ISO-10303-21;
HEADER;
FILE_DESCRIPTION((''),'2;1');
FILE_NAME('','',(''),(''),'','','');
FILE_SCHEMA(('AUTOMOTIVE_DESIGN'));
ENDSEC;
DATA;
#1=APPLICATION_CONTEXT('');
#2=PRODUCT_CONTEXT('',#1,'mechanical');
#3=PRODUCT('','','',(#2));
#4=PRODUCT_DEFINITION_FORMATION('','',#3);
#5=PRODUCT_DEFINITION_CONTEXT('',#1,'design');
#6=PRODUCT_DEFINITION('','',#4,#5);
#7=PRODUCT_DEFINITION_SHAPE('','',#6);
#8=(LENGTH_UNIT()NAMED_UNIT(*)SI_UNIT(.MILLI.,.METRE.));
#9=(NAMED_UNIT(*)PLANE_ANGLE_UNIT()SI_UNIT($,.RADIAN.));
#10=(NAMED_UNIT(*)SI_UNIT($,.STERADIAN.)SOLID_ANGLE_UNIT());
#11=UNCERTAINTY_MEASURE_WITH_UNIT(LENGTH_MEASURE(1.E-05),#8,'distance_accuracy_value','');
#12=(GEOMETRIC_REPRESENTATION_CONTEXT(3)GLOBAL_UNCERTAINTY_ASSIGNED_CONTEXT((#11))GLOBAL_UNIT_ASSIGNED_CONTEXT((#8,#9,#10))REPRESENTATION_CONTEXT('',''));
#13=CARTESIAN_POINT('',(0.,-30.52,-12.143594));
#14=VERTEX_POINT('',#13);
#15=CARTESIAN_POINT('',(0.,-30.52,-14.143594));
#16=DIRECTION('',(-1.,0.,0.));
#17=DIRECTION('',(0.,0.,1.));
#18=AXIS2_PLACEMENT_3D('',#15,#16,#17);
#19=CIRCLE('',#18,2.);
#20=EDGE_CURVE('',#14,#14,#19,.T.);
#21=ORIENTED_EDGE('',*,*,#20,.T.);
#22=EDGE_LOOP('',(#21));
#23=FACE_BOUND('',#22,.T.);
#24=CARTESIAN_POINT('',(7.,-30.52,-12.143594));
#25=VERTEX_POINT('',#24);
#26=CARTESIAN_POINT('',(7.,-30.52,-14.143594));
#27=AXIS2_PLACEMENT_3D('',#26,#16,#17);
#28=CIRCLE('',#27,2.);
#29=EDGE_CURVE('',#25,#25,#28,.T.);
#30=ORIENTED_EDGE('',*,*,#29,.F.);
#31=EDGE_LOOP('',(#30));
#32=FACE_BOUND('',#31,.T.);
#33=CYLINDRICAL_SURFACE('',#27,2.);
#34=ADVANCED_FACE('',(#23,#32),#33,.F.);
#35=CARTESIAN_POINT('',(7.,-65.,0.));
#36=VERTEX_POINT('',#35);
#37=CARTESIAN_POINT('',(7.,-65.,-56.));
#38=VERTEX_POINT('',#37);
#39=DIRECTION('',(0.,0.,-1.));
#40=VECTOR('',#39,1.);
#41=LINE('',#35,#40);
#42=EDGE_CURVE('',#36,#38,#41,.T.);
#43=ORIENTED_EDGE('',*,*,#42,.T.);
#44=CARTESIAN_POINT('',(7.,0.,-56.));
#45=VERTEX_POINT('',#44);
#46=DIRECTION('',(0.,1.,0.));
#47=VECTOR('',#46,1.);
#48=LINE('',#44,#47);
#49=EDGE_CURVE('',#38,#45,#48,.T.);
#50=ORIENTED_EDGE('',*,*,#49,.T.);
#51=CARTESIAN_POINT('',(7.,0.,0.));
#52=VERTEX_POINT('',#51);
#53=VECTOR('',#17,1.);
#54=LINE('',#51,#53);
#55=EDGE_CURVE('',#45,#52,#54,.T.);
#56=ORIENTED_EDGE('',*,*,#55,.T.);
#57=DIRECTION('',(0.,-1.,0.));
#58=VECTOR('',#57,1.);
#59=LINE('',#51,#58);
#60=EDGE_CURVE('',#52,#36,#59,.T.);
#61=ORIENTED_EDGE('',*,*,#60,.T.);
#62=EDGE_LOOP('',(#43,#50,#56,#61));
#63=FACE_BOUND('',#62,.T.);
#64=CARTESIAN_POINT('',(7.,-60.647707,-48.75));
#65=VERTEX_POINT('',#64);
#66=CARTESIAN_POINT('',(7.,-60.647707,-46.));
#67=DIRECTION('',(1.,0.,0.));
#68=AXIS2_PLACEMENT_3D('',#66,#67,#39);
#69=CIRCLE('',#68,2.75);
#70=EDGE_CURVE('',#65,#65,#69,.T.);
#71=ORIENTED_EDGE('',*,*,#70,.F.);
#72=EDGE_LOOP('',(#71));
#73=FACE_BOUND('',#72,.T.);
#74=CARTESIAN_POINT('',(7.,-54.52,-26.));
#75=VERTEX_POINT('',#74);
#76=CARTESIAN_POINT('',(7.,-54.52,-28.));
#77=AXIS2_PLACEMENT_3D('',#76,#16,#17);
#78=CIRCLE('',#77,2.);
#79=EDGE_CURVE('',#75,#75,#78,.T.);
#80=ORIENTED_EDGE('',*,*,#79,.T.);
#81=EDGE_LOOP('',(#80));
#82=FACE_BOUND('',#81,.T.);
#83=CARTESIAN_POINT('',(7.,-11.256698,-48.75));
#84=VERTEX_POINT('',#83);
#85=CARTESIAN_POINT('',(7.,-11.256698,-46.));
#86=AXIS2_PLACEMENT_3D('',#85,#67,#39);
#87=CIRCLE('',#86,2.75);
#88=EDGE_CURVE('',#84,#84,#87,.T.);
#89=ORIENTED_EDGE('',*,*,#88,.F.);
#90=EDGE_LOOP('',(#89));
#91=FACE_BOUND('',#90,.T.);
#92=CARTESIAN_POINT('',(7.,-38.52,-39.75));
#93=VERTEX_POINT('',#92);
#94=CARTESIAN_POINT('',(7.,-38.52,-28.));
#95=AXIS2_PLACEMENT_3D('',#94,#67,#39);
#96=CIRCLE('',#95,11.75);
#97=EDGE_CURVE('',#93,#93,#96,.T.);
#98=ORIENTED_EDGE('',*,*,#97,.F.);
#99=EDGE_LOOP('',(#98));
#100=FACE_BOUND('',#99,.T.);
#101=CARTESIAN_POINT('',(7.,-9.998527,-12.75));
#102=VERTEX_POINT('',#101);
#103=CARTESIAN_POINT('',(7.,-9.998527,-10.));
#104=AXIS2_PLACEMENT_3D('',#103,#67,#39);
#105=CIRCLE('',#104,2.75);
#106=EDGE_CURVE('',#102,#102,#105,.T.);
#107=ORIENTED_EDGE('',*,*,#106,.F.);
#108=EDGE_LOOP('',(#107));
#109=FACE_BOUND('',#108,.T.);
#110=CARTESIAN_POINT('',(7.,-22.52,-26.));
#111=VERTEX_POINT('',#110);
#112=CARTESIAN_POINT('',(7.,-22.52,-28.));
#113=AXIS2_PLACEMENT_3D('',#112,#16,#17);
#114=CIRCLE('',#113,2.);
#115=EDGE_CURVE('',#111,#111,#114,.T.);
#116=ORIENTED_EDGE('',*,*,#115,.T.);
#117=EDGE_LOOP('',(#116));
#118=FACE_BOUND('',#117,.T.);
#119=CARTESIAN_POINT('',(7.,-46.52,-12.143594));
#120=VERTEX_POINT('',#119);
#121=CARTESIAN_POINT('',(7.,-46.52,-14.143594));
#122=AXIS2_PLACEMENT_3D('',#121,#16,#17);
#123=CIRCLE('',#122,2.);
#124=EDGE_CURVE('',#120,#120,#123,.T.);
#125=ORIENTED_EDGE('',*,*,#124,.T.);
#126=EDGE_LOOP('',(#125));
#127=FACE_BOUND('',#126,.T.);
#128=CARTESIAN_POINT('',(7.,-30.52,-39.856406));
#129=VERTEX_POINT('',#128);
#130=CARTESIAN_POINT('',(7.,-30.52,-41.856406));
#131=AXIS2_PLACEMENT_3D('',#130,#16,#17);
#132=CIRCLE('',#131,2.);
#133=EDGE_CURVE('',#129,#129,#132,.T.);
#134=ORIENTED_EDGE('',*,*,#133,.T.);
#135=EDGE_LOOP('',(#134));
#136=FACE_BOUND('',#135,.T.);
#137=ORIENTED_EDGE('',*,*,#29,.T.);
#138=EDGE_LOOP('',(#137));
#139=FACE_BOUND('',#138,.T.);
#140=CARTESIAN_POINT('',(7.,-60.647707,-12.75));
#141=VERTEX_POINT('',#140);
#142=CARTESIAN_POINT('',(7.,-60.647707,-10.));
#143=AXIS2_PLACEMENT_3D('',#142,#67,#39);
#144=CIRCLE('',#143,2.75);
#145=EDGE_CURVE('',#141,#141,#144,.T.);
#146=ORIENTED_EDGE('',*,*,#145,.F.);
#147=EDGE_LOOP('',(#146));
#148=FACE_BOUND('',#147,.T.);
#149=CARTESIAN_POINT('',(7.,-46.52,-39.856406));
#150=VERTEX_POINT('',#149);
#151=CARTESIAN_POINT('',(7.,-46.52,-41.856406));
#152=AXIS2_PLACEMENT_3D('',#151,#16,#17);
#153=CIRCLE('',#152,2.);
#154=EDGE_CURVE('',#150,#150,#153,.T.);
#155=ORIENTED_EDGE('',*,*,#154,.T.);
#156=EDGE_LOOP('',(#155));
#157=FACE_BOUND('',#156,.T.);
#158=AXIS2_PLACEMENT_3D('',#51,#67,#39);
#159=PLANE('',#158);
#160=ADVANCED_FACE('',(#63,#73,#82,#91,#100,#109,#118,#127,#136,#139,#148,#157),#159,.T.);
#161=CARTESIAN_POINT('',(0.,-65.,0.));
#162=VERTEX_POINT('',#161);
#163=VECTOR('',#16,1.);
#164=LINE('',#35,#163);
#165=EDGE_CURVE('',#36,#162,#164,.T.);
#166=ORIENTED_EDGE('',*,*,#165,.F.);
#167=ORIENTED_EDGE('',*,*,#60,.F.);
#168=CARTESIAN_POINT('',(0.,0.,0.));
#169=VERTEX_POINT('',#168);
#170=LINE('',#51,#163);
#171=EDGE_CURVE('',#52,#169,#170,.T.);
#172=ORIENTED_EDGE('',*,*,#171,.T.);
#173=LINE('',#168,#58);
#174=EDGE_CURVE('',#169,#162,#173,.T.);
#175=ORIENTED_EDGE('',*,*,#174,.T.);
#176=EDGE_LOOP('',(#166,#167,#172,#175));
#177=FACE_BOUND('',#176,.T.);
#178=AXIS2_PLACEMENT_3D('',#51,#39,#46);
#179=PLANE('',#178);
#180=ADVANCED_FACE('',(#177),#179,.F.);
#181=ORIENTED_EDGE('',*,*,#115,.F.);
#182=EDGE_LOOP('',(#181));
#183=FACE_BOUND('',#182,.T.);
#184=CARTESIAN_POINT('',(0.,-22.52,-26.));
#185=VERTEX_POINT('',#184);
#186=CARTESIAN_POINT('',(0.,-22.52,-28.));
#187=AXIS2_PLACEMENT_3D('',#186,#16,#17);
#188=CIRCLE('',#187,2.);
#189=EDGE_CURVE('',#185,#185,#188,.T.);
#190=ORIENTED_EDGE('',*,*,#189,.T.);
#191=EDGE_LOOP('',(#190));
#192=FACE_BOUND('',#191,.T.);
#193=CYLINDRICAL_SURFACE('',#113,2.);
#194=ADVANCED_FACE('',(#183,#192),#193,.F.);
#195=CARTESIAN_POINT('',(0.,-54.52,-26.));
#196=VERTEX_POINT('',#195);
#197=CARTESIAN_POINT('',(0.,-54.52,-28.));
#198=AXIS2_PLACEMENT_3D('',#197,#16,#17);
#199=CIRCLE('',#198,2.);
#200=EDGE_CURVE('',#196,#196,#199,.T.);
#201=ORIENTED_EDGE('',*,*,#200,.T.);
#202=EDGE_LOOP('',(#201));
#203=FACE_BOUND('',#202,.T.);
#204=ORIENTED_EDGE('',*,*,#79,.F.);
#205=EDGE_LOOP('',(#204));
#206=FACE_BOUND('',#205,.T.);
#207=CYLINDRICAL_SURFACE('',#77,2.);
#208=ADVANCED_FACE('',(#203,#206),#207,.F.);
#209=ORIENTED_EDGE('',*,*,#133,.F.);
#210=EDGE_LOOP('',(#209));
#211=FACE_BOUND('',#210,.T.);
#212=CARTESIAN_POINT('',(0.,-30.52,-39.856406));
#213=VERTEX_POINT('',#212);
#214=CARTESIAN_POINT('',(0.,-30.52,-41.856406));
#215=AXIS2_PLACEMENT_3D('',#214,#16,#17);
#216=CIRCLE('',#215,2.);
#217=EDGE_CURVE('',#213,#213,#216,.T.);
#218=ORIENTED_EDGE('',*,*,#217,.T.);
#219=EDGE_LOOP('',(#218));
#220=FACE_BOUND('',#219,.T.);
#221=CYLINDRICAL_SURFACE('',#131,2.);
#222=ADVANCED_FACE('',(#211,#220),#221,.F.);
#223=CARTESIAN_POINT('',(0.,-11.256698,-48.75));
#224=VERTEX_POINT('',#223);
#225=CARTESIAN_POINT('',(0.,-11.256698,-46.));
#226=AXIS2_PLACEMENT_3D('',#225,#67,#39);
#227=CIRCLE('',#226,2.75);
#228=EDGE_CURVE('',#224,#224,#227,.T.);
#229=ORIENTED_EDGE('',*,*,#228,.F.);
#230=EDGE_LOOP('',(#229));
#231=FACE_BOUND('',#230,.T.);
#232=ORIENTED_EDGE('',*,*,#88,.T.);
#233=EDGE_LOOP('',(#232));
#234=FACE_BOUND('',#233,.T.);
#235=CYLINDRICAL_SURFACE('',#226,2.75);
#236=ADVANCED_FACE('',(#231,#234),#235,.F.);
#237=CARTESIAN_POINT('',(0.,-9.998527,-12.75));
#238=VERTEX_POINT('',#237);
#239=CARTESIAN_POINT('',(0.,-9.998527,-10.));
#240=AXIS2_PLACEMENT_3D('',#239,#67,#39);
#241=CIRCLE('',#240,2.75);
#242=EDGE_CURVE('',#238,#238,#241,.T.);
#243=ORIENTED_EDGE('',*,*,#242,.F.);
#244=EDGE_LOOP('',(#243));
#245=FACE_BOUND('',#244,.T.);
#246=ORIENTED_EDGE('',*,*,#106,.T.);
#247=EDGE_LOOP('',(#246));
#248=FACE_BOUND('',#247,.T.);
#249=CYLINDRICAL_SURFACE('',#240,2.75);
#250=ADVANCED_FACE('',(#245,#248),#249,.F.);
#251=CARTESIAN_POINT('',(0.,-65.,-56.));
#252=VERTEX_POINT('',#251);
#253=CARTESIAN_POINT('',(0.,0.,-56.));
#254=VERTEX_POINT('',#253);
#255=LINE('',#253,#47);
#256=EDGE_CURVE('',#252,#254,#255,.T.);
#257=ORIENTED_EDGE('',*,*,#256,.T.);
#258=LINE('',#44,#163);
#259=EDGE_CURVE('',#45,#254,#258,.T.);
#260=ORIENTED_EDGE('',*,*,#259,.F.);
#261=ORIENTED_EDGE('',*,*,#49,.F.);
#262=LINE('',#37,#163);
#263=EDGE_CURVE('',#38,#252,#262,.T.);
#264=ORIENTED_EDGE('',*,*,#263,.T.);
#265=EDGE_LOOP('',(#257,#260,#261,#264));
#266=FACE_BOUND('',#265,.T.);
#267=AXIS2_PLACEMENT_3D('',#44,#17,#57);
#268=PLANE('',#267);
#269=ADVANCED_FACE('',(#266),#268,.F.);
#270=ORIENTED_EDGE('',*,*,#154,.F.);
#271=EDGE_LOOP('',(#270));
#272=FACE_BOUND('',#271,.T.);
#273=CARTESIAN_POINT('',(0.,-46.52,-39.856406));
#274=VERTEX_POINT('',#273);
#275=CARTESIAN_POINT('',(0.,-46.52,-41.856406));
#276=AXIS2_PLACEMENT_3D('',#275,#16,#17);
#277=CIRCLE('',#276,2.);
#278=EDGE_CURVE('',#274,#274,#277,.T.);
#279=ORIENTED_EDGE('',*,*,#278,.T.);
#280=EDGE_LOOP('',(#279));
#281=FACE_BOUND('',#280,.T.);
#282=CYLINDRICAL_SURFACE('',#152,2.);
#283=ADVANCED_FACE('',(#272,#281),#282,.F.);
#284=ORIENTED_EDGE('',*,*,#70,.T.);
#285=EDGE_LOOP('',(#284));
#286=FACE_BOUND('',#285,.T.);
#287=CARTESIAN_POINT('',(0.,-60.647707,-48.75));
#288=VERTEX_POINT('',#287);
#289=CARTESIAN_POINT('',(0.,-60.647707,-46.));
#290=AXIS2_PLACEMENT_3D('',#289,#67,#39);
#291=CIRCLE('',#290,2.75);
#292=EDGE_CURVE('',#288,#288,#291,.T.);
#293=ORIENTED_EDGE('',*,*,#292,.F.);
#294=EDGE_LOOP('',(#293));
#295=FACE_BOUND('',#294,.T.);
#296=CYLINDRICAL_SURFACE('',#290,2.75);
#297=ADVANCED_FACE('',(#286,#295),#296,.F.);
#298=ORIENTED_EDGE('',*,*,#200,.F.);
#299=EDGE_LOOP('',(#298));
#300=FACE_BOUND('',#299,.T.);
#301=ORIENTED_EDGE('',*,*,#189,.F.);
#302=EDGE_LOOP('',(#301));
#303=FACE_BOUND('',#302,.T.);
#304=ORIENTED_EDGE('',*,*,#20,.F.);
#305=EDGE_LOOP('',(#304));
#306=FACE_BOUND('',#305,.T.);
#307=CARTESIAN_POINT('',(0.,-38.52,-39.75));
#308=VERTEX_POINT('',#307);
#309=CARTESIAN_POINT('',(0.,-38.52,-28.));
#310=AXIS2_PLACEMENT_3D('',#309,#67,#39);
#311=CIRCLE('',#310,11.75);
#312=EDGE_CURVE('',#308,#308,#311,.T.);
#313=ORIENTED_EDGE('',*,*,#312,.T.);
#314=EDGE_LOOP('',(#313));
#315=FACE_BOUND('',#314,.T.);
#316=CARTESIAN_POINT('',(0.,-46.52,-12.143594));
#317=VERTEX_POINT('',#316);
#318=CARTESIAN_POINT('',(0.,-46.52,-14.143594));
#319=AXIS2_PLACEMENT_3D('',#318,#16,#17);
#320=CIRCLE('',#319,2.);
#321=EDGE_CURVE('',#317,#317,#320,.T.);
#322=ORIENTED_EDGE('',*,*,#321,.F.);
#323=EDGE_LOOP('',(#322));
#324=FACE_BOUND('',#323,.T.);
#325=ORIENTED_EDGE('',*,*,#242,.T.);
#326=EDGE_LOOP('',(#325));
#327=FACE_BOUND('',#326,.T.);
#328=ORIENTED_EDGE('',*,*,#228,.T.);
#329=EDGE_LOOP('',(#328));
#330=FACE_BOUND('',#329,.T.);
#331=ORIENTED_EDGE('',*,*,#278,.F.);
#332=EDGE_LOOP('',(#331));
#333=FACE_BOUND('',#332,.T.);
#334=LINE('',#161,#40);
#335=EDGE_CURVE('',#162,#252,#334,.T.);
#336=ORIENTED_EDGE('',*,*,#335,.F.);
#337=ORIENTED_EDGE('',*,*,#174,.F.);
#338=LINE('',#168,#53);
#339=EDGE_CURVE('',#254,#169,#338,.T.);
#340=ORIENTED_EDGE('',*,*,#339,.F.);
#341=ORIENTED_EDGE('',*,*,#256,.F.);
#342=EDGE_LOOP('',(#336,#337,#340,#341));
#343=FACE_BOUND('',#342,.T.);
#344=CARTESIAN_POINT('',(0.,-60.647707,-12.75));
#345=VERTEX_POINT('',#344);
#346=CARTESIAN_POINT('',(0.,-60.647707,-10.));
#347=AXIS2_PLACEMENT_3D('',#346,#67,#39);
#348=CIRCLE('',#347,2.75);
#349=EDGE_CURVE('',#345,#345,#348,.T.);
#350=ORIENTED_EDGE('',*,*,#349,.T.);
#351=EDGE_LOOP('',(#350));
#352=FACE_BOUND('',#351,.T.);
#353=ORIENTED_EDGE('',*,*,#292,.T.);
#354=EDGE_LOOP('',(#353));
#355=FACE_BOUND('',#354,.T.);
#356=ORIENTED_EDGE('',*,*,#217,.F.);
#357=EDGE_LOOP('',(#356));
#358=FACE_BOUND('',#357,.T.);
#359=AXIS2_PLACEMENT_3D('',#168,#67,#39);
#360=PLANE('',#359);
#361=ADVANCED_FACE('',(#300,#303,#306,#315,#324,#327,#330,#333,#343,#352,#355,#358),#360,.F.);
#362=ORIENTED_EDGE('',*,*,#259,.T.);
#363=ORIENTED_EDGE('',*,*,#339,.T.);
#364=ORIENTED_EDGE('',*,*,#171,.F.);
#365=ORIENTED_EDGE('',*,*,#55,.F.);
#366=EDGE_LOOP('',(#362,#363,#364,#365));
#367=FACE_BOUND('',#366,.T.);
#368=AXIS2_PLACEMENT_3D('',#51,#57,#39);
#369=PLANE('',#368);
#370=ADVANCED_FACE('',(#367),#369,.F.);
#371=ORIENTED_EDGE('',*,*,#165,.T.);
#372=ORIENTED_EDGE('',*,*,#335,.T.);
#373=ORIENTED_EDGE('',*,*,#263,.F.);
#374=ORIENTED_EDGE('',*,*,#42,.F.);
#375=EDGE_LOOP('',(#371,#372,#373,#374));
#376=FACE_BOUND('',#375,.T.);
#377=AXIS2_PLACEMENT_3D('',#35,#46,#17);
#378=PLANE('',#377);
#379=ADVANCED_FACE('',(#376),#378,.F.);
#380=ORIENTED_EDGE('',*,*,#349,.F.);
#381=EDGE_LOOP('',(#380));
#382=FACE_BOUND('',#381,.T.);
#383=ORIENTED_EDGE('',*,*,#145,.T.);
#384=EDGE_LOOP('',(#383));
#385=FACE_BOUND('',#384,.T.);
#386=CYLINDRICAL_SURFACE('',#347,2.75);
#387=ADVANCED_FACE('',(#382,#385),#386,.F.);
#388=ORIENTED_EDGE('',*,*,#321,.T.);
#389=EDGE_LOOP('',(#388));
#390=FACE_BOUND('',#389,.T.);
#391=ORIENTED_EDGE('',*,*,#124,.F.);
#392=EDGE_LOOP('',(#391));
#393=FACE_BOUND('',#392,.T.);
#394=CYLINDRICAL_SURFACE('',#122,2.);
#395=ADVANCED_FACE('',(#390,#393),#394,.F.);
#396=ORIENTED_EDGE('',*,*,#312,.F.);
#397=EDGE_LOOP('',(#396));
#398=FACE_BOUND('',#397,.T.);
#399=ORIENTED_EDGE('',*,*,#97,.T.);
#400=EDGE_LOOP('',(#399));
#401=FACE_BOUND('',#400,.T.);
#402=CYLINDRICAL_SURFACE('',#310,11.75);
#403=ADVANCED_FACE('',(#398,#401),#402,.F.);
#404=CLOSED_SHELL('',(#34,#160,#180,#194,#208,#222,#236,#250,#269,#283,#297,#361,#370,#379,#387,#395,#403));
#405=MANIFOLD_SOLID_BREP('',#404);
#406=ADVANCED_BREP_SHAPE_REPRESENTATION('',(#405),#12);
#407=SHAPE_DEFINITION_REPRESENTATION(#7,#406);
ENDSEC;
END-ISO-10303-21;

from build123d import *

# Parameters (mm, degrees)
SKETCH1_W           = 56
SKETCH1_H           = 65
BOSS_EXTRUDE1_DEPTH = 7
SKETCH2_R           = 11.75
CUT_EXTRUDE1_DEPTH  = 8
SKETCH3_R           = 2
CUT_EXTRUDE2_DEPTH  = 8
SKETCH4_R           = 2.75
CUT_EXTRUDE3_DEPTH  = 8


with BuildPart() as part:
    # Sketch1 → Boss-Extrude1 (new body)
    with BuildSketch(Plane(origin=(0, 0, 0), x_dir=(0, 0, -1), z_dir=(1, 0, 0))):
        with Locations((28, -32.5)):
            Rectangle(SKETCH1_W, SKETCH1_H)
    extrude(amount=BOSS_EXTRUDE1_DEPTH)

    # Sketch2 → Cut-Extrude1 (cut, through all)
    with BuildSketch(Plane(origin=(7, 0, 0), x_dir=(0, 0, -1), z_dir=(1, 0, 0))):
        with Locations((28, -38.52)):
            Circle(SKETCH2_R)
    extrude(amount=-CUT_EXTRUDE1_DEPTH, mode=Mode.SUBTRACT)

    # Sketch3 → Cut-Extrude2 (cut, through all)
    with BuildSketch(Plane.ZY):
        with Locations((-41.856406461, -30.52)):
            Circle(SKETCH3_R)
        with Locations((-28, -22.52)):
            Circle(SKETCH3_R)
        with Locations((-14.143593539, -30.52)):
            Circle(SKETCH3_R)
        with Locations((-14.143593539, -46.52)):
            Circle(SKETCH3_R)
        with Locations((-28, -54.52)):
            Circle(SKETCH3_R)
        with Locations((-41.856406461, -46.52)):
            Circle(SKETCH3_R)
    extrude(amount=-CUT_EXTRUDE2_DEPTH, mode=Mode.SUBTRACT)

    # Sketch4 → Cut-Extrude3 (cut, through all)
    with BuildSketch(Plane(origin=(7, 0, 0), x_dir=(0, 0, -1), z_dir=(1, 0, 0))):
        with Locations((10, -60.647707201)):
            Circle(SKETCH4_R)
        with Locations((10, -9.998526597)):
            Circle(SKETCH4_R)
        with Locations((46, -11.256698369)):
            Circle(SKETCH4_R)
        with Locations((46, -60.647707201)):
            Circle(SKETCH4_R)
    extrude(amount=-CUT_EXTRUDE3_DEPTH, mode=Mode.SUBTRACT)


solid = part.part
